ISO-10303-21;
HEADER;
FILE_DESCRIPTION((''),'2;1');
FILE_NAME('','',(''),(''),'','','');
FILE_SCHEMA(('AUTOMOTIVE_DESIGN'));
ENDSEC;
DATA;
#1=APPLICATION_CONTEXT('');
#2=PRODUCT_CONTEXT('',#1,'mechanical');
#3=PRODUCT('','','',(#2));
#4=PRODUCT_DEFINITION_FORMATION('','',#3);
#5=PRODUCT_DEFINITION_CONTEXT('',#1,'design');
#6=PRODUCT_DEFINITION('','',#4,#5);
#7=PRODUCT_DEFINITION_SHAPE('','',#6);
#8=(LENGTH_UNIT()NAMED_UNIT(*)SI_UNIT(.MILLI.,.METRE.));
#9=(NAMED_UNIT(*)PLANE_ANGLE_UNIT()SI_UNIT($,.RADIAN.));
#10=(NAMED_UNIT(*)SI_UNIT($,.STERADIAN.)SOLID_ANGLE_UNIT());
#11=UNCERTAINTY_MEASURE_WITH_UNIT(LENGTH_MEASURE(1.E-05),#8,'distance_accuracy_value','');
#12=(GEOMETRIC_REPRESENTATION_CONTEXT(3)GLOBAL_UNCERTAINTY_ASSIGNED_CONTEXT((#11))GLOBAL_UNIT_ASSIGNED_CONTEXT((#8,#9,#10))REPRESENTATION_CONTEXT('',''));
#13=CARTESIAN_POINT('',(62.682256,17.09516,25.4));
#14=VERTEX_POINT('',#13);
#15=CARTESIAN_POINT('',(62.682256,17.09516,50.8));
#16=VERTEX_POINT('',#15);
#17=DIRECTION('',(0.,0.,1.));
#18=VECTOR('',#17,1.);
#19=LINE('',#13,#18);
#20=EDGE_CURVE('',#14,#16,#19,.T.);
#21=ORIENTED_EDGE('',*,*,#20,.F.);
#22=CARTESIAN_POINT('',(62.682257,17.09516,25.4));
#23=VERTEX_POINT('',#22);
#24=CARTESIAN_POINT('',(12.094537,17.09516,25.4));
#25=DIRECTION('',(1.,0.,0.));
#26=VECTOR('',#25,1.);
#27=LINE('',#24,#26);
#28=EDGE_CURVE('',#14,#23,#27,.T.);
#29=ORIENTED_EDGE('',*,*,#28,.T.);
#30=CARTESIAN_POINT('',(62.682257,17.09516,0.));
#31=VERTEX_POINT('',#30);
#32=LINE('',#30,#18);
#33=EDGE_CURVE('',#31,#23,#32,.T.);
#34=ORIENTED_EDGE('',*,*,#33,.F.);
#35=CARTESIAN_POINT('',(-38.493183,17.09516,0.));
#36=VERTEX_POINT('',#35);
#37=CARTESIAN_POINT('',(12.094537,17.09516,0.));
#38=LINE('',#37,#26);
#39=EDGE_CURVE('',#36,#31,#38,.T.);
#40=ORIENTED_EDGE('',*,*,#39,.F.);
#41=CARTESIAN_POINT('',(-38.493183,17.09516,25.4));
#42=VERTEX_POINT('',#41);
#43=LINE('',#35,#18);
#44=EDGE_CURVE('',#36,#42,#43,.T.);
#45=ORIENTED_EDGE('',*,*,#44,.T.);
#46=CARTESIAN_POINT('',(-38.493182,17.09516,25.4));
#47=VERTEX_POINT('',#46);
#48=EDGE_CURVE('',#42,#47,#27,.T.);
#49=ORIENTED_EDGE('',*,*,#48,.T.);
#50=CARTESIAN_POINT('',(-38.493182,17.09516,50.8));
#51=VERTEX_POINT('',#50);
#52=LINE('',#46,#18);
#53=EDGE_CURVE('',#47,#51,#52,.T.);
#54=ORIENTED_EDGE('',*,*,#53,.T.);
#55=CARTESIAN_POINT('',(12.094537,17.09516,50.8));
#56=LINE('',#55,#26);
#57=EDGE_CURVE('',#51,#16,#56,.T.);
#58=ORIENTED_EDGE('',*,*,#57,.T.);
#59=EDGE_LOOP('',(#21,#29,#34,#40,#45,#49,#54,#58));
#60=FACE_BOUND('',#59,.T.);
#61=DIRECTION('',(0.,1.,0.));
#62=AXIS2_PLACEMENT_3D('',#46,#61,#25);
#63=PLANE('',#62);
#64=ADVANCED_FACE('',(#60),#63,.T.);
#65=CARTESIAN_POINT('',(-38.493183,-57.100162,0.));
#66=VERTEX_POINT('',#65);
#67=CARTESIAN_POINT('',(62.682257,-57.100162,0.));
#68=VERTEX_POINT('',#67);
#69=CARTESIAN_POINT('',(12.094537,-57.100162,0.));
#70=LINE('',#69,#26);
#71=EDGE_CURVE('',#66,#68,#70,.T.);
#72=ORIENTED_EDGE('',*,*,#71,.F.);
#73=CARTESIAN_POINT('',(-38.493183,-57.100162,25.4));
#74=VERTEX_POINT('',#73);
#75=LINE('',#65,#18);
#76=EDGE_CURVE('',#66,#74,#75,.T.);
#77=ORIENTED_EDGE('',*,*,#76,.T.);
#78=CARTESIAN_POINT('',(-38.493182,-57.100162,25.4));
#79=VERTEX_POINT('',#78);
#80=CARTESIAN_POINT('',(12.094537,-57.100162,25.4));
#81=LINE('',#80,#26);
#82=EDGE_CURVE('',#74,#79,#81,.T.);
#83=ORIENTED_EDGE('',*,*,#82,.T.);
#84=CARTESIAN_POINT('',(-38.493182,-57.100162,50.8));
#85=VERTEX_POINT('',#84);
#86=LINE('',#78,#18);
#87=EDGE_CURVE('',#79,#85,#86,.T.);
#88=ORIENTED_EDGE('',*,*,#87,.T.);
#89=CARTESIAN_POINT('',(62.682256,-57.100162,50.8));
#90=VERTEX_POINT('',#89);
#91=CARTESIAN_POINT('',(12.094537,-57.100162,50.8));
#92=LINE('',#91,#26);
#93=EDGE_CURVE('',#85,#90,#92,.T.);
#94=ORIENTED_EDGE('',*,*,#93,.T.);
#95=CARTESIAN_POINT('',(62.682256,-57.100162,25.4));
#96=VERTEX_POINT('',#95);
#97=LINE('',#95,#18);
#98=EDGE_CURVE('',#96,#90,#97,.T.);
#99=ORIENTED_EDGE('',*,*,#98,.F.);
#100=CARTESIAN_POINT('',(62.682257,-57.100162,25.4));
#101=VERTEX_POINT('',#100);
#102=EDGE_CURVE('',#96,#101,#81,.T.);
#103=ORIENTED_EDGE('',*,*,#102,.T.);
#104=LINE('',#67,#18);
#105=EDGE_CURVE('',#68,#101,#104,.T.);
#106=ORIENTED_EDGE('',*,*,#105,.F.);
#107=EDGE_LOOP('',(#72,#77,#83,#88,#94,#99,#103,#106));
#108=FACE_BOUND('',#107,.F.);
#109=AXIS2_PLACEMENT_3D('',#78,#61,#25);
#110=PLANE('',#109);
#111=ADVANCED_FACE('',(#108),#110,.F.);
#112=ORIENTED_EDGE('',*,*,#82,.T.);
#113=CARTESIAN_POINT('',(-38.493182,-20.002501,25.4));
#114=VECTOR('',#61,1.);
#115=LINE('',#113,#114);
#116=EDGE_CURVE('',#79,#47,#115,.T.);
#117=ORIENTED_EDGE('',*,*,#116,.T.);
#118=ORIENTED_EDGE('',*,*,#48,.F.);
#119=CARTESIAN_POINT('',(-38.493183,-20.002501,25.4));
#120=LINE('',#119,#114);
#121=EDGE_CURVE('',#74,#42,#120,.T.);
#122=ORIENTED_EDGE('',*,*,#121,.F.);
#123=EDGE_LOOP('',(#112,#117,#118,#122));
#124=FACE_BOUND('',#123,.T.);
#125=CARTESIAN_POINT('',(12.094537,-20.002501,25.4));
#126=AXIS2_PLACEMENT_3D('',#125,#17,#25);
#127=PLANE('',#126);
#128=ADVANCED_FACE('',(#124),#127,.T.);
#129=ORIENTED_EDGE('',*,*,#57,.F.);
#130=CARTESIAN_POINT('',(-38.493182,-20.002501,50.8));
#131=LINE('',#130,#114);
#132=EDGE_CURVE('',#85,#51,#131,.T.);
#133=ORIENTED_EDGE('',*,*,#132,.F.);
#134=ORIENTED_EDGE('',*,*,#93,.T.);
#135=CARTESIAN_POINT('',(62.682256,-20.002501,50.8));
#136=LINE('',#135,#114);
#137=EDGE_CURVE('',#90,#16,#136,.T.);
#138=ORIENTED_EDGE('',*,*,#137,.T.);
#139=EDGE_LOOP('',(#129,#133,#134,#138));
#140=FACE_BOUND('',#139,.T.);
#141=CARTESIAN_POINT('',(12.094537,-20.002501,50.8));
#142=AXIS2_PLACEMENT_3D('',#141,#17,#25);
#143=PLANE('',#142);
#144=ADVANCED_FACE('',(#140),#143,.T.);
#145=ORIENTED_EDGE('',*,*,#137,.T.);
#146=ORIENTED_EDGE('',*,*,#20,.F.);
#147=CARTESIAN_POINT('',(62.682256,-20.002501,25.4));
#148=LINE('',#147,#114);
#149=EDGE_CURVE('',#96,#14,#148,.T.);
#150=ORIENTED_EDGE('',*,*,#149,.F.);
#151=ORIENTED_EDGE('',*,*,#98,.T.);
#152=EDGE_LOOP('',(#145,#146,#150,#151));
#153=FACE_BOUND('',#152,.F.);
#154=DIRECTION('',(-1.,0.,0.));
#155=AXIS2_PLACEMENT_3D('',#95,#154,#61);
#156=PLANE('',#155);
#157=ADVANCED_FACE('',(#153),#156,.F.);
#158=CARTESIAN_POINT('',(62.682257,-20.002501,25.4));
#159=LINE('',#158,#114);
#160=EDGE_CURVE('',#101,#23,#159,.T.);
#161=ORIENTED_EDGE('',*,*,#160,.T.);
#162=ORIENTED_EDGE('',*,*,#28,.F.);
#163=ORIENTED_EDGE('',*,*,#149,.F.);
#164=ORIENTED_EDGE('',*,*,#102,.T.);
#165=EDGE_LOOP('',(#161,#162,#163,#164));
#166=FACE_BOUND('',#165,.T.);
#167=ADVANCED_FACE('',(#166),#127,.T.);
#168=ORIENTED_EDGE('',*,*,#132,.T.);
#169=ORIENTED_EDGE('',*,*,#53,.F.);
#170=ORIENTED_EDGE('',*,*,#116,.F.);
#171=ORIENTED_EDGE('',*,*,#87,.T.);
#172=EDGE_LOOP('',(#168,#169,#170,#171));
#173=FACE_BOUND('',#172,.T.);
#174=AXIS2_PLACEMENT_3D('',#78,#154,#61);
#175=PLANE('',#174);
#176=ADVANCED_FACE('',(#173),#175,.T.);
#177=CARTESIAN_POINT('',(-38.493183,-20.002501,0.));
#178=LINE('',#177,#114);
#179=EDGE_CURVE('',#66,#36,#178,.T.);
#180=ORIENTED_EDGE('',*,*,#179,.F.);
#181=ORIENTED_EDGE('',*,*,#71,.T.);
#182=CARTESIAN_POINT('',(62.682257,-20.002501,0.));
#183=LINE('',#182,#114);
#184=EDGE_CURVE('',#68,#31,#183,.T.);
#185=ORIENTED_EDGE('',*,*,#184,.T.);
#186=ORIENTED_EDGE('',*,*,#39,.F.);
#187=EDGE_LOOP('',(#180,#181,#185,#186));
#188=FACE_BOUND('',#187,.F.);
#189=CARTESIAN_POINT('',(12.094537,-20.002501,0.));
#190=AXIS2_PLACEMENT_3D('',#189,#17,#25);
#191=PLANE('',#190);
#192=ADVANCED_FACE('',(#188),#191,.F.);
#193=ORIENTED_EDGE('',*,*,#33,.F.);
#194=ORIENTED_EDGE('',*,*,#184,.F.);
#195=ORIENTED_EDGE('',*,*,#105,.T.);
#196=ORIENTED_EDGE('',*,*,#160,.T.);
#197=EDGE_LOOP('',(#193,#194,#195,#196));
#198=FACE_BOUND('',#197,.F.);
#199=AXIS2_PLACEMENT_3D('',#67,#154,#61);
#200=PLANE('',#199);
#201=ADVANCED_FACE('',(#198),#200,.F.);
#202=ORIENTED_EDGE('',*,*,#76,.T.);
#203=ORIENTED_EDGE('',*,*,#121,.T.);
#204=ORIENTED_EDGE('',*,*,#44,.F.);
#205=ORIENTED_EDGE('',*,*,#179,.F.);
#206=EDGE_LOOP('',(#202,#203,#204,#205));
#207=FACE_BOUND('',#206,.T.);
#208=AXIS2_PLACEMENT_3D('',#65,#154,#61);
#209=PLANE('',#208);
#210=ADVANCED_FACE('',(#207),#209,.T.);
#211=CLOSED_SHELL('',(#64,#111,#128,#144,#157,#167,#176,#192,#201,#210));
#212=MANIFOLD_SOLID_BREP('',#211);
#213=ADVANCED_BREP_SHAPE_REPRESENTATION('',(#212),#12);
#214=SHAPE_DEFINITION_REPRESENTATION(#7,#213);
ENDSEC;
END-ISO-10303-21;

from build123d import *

# Parameters (mm, degrees)
F0_W      = 101.175439
F0_H      = 74.195322
F1_DEPTH  = 25.4
F1_FACE_W = 101.175438
F1_FACE_H = 74.195322
F2_R      = 19.170113
F3_DEPTH  = 25.4


with BuildPart() as f1:
    # F0 (on Top) → F1 (new body)
    with BuildSketch(Plane.XY):
        with Locations((12.094537, -20.002501)):
            Rectangle(F0_W, F0_H)
    extrude(amount=F1_DEPTH)

    # F1_face (on face) + F2 (on Top) → F3 (join)
    with BuildSketch(Plane(origin=(12.094537, -20.002501, 25.4), x_dir=(1, 0, 0), z_dir=(0, 0, 1))):
        Rectangle(F1_FACE_W, F1_FACE_H)
    with BuildSketch(Plane.XY):
        with Locations((0, -17.327746)):
            Circle(F2_R)
    extrude(amount=F3_DEPTH)


solid = f1.part
